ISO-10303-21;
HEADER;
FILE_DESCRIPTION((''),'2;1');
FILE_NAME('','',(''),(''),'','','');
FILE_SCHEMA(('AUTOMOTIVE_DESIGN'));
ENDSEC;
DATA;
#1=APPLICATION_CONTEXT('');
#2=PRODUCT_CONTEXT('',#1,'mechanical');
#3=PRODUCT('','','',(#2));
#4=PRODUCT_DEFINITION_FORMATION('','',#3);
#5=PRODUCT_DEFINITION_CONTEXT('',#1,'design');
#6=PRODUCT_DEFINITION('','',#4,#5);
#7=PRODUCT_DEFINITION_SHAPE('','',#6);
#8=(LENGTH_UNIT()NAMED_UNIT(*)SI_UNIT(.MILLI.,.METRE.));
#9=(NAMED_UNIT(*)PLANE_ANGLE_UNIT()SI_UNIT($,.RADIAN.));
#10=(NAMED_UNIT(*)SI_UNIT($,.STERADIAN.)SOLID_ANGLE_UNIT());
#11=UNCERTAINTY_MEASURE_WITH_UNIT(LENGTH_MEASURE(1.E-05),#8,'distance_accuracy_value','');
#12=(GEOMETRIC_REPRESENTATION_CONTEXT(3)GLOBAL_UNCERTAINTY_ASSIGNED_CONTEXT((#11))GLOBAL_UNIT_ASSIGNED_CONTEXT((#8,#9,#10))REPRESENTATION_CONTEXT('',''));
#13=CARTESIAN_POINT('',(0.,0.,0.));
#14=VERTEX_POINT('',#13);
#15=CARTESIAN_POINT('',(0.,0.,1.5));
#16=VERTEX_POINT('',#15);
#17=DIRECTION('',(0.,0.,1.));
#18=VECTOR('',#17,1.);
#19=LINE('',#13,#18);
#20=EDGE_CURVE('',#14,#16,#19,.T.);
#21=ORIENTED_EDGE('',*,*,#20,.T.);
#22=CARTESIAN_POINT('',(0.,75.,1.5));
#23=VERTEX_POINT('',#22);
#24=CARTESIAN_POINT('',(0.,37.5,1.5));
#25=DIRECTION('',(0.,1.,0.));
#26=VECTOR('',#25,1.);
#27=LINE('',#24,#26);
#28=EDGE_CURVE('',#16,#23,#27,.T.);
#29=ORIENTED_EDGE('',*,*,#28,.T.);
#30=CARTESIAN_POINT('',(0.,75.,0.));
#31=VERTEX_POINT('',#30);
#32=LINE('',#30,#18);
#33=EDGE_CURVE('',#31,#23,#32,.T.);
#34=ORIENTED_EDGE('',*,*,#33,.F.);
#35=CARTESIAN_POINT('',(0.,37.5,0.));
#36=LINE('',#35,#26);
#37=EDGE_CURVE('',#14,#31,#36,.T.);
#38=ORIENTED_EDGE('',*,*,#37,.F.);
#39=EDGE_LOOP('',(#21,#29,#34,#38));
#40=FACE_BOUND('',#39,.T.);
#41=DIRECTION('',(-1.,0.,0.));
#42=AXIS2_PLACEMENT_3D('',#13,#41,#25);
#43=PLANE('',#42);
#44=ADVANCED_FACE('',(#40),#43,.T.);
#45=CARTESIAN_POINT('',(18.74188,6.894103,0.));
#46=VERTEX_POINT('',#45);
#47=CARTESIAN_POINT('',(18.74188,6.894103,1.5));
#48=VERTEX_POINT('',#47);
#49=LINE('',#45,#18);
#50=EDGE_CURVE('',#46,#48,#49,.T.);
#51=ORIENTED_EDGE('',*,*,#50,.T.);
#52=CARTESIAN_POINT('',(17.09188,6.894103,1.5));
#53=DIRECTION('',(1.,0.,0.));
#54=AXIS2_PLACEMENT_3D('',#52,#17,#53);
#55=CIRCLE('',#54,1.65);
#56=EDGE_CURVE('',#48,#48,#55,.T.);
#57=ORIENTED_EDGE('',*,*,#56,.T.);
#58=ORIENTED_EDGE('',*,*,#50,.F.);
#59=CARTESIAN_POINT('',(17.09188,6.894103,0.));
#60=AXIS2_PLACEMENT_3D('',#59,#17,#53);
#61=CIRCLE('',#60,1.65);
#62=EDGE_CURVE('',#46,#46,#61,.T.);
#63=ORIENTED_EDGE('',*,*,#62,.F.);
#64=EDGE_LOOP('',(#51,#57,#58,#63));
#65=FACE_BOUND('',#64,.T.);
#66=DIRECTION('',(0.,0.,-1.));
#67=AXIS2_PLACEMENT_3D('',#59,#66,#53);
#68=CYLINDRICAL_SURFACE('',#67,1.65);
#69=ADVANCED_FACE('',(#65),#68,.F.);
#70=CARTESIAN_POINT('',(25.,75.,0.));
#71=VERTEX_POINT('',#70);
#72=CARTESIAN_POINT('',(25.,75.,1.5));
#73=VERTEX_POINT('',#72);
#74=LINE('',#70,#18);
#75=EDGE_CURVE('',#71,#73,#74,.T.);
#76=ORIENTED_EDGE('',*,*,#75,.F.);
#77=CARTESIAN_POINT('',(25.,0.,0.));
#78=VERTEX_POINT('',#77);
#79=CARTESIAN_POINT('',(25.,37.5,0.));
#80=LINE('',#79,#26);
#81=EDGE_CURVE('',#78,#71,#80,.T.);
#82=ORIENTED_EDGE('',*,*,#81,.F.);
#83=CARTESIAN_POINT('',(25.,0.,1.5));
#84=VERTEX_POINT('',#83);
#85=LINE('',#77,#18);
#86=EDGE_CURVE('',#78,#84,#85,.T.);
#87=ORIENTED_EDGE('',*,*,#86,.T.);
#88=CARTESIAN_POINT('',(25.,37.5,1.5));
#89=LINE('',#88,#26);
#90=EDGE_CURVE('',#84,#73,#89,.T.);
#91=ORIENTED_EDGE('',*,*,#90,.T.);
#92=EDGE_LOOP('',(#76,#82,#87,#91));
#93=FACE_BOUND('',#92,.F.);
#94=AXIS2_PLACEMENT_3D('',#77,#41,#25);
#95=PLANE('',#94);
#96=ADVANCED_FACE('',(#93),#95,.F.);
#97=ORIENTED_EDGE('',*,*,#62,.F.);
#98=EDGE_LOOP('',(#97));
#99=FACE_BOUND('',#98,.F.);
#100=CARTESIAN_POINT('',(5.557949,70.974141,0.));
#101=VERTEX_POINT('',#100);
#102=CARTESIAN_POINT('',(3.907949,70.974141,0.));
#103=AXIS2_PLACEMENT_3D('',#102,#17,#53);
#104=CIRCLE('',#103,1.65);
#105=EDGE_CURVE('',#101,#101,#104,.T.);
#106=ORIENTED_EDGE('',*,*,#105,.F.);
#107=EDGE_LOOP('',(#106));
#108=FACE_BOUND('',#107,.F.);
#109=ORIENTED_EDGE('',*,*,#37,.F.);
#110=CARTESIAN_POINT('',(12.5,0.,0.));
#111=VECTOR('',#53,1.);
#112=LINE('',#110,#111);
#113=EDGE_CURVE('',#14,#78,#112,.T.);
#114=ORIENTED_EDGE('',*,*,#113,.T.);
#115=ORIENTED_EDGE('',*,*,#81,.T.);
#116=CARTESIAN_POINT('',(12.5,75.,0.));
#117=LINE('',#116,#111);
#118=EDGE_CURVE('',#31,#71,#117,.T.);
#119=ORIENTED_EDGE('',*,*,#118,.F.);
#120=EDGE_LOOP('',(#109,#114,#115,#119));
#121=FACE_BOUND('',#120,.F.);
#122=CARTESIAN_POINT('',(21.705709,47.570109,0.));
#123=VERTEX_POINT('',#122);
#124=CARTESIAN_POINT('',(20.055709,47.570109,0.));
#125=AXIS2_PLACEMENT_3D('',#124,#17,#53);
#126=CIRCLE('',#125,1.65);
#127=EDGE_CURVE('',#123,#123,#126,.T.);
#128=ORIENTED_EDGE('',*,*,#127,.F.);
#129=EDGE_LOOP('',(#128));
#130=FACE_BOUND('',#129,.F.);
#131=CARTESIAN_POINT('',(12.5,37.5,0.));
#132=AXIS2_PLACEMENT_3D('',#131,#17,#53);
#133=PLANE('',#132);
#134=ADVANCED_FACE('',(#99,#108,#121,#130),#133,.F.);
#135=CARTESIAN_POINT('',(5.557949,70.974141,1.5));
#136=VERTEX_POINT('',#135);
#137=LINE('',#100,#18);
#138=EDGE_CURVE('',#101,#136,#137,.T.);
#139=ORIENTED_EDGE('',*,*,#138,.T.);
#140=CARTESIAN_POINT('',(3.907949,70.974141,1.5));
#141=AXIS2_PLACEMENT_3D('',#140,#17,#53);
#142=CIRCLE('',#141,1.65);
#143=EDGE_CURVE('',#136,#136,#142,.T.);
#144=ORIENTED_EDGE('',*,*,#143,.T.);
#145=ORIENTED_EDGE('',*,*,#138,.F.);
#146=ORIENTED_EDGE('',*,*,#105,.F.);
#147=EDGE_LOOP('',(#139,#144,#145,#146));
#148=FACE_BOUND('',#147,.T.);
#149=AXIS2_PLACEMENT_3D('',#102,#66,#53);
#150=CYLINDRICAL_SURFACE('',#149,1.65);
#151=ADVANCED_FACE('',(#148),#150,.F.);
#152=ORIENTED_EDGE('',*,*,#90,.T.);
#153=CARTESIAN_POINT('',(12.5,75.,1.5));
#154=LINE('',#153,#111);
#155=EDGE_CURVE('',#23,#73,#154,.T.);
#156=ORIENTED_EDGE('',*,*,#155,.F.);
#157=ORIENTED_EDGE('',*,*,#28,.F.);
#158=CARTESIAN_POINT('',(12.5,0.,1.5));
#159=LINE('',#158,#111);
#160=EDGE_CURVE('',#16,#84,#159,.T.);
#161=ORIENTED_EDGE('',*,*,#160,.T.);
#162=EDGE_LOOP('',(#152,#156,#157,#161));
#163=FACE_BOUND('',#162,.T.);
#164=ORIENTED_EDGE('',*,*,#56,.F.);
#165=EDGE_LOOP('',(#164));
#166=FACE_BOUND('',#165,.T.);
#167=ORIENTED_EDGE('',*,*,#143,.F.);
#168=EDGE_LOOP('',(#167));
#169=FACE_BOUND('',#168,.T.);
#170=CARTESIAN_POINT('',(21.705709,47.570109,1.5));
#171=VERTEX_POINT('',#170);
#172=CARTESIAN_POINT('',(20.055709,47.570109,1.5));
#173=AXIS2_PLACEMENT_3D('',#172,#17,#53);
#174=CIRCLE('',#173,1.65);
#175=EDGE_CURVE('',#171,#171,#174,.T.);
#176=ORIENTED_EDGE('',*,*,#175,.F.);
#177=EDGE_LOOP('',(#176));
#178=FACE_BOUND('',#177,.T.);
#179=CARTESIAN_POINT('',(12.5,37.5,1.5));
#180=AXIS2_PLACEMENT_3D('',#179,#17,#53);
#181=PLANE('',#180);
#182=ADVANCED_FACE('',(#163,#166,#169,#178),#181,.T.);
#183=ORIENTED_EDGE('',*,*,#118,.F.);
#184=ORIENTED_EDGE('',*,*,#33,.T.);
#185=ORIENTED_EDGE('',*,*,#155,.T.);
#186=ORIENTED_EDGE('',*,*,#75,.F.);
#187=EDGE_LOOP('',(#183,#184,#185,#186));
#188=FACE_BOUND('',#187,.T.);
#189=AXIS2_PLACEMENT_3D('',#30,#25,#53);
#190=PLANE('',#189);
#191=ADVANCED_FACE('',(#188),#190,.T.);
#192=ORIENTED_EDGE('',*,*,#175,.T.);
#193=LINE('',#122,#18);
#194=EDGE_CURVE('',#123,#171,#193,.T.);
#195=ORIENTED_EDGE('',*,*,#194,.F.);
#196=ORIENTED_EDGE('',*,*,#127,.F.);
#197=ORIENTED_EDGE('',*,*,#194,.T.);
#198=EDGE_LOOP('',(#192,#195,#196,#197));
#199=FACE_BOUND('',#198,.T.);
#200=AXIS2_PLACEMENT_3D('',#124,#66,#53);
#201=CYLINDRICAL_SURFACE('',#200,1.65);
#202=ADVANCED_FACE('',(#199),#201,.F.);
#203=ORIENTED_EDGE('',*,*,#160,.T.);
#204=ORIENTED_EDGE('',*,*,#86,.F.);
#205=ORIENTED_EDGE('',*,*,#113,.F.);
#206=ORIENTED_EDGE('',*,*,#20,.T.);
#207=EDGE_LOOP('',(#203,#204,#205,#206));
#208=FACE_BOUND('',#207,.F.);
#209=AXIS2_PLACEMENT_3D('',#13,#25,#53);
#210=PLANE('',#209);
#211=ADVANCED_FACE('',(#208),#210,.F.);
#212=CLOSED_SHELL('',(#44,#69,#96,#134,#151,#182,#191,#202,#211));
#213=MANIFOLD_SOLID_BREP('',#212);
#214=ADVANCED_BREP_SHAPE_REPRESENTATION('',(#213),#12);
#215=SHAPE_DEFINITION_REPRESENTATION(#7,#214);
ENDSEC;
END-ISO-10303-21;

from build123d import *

# Parameters (mm, degrees)
F0_W     = 25
F0_H     = 75
F0_R     = 1.65
F1_DEPTH = 1.5


with BuildPart() as f1:
    # F0 (on Top) → F1 (new body)
    with BuildSketch(Plane.XY):
        with Locations((12.5, 37.5)):
            Rectangle(F0_W, F0_H)
        with Locations((17.09188, 6.894103)):
            Circle(F0_R, mode=Mode.SUBTRACT)
        with Locations((3.907949, 70.974141)):
            Circle(F0_R, mode=Mode.SUBTRACT)
        with Locations((20.055709, 47.570109)):
            Circle(F0_R, mode=Mode.SUBTRACT)
    extrude(amount=F1_DEPTH)


solid = f1.part
